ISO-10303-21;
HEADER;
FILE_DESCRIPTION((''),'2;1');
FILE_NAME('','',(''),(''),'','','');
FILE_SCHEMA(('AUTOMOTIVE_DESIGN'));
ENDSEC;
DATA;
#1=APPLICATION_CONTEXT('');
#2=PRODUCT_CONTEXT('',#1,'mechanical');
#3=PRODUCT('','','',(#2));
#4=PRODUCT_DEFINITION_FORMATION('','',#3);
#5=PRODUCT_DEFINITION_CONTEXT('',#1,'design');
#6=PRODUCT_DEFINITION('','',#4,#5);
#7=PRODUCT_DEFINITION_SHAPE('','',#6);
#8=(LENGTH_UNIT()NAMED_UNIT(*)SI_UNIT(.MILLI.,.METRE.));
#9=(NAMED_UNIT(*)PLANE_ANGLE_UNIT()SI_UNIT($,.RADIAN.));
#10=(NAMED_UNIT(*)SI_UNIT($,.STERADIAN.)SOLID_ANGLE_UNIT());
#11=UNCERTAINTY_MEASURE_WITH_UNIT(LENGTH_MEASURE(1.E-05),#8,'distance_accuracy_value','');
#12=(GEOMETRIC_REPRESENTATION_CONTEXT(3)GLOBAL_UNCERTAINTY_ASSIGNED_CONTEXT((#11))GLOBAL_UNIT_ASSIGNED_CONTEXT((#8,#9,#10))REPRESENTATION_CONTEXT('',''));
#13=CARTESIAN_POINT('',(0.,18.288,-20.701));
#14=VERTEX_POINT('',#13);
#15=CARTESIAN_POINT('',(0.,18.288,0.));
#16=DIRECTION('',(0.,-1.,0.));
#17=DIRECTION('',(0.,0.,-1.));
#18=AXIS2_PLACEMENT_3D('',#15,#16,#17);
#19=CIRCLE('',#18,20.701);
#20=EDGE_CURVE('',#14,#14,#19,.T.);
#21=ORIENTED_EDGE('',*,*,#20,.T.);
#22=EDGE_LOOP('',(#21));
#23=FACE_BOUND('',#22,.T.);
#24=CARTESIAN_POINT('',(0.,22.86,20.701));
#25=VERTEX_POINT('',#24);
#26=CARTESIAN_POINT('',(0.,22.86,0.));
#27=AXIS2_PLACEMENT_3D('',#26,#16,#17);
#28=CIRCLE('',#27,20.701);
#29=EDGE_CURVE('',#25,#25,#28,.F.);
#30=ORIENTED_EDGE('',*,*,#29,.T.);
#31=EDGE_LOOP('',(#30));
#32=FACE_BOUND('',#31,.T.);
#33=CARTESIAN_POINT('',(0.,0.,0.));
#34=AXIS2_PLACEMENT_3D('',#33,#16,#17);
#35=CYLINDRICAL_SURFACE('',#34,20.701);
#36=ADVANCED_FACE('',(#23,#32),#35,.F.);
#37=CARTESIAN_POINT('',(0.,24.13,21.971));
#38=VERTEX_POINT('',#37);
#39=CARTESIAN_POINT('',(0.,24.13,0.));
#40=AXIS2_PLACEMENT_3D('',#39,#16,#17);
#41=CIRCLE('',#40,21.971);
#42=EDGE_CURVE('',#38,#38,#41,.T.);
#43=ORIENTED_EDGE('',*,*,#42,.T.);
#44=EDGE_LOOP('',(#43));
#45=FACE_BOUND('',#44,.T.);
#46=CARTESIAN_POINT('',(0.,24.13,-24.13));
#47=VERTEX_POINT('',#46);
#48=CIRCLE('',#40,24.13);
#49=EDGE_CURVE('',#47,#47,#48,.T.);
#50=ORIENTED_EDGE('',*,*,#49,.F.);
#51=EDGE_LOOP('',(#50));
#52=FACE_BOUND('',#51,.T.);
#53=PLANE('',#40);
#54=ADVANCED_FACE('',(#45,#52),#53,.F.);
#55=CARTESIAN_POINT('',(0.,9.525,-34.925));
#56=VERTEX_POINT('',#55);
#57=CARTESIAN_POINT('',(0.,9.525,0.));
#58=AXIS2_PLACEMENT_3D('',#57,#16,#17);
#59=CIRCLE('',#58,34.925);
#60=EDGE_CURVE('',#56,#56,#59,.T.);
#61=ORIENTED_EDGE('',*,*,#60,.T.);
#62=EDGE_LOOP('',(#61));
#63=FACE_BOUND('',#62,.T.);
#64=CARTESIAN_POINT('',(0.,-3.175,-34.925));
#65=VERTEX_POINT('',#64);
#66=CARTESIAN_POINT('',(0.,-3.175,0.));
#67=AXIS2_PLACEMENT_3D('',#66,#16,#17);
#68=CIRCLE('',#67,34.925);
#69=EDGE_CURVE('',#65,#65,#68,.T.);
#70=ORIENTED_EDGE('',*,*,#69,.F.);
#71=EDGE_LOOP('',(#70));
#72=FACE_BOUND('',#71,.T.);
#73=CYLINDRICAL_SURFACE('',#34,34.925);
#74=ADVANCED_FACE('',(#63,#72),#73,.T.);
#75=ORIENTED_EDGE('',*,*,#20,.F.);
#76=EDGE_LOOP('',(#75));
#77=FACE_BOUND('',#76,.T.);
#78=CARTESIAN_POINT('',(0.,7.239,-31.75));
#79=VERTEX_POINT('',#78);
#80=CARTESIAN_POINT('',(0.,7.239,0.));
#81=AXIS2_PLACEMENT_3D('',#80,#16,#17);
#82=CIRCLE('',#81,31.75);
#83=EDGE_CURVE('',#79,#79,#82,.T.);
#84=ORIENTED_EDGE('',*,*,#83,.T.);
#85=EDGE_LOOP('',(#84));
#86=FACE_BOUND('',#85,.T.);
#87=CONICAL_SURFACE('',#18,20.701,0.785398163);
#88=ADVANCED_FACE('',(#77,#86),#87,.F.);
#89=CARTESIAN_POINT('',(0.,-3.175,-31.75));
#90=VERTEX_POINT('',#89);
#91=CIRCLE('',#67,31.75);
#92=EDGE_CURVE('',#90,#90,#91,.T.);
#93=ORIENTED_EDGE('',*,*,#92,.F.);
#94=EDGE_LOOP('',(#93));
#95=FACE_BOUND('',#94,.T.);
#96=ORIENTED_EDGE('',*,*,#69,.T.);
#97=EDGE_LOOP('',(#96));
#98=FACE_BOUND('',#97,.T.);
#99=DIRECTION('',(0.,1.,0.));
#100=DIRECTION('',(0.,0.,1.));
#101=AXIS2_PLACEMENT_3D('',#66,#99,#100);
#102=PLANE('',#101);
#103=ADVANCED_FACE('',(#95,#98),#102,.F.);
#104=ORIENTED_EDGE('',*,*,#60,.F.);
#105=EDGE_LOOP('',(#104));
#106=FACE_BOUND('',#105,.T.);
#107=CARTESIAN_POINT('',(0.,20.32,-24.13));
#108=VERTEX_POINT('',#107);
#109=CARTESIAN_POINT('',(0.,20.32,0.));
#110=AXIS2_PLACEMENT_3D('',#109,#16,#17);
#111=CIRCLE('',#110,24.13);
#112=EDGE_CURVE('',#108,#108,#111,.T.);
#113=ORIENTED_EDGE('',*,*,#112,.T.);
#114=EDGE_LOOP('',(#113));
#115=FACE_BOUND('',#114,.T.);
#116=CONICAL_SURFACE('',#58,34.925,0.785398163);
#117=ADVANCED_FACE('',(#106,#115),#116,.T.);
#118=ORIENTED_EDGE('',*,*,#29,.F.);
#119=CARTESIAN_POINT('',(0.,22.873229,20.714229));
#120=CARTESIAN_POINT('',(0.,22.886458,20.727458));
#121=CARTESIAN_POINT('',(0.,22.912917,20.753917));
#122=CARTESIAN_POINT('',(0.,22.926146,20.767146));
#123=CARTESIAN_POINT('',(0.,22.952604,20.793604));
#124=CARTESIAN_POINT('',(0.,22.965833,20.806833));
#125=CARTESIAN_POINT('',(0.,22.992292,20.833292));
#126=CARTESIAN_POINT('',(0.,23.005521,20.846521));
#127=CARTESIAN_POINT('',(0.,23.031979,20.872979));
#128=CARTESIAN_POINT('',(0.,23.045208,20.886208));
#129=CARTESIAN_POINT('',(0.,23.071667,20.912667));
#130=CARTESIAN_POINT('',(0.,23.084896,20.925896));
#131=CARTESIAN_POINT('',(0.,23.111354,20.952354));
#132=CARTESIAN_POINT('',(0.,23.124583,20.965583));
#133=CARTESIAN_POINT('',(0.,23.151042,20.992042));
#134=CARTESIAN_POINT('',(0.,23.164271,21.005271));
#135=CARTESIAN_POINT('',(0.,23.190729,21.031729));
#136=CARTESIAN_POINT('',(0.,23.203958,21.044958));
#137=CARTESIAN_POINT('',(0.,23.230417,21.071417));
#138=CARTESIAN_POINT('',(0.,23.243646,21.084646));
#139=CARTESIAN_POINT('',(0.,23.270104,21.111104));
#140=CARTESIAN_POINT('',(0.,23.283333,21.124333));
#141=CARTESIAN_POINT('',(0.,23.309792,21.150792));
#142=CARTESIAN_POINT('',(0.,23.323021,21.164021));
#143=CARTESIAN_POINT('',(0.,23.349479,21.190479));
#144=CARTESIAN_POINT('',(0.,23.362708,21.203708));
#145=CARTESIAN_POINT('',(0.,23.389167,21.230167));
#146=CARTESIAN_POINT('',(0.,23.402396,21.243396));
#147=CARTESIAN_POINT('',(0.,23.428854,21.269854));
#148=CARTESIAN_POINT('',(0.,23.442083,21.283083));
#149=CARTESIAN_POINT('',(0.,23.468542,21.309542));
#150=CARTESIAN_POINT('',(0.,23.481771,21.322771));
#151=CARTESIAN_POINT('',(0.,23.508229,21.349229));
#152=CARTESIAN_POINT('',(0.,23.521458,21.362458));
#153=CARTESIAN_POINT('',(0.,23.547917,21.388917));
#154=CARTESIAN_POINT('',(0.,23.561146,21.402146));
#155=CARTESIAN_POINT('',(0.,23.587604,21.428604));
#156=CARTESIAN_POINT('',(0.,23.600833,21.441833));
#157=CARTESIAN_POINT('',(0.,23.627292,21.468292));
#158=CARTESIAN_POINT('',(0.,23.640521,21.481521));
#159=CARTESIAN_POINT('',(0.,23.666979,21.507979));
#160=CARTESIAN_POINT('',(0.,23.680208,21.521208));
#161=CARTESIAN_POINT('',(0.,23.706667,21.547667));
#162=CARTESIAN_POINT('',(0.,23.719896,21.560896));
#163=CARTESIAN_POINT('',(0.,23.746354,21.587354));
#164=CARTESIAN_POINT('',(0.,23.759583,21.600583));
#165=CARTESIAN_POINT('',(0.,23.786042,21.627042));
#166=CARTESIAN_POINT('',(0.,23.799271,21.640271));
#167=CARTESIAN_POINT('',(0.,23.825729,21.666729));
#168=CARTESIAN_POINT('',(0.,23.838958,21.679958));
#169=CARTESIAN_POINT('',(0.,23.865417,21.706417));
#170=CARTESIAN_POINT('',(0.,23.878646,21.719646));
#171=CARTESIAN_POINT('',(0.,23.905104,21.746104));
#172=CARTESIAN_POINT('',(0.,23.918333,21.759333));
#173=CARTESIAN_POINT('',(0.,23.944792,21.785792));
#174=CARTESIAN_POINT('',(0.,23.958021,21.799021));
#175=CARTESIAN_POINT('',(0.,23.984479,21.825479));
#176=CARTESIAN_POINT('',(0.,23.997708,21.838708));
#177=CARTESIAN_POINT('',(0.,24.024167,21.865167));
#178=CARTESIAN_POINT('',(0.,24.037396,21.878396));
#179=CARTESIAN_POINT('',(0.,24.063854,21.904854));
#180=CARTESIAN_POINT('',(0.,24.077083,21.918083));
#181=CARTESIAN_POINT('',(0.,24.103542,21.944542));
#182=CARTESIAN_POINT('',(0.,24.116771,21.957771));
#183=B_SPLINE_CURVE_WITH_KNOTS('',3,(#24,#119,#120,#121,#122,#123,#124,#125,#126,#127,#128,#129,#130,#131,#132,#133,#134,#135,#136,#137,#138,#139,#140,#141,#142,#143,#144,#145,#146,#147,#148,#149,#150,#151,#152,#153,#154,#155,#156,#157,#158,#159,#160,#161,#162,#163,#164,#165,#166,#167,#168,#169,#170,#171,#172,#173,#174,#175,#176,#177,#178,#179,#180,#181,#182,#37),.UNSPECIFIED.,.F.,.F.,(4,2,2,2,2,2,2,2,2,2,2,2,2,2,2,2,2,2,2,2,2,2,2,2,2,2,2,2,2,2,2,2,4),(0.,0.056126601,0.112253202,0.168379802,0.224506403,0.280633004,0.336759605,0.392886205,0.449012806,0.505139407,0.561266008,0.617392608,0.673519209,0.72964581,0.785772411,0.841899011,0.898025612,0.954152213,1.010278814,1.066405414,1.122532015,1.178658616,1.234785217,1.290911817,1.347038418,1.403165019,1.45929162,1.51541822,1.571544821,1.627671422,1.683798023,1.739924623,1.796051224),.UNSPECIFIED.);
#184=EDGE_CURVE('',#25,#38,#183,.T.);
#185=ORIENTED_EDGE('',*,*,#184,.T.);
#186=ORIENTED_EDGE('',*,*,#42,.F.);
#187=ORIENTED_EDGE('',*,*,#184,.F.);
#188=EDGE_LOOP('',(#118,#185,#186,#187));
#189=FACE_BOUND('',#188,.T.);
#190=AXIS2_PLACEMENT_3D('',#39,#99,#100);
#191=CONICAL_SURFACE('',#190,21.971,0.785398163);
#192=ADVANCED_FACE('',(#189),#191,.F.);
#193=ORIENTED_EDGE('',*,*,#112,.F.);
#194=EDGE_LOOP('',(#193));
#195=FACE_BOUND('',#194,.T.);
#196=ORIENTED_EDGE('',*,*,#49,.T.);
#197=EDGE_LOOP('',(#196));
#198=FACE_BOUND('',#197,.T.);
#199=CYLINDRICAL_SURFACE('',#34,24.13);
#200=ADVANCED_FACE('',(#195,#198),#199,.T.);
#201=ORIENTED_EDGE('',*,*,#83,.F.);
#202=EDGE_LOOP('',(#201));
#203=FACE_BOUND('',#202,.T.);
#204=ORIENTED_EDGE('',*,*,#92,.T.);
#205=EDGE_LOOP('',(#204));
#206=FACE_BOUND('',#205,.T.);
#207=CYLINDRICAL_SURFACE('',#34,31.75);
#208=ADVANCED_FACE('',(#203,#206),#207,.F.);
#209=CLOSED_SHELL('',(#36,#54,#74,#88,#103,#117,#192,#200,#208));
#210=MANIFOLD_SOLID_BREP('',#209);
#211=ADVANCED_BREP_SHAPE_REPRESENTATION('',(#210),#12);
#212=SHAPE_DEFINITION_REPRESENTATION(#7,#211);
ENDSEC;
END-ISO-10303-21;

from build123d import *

# Parameters (mm, degrees)
CHAMFER1_SIZE = 1.27


with BuildPart() as part:
    # Sketch2 → Revolve1 (revolve)
    with BuildSketch(Plane.XY, mode=Mode.PRIVATE) as revolve1_sk:
        Polygon((34.925, 0), (34.925, 9.525), (24.13, 20.32), (24.13, 24.13), (20.701, 24.13), (20.701, 18.288), (31.75, 7.239), (31.75, 0), (31.75, -3.175), (34.925, -3.175), align=None)
    revolve(revolve1_sk.sketch.rotate(Axis((0, 0, 0), (0, 1, 0)), 90), axis=Axis((0, 0, 0), (0, 1, 0)))

    # Chamfer1
    chamfer1_edges = [part.edges().sort_by_distance(p)[0] for p in [
        (0, 24.13, 20.701),
    ]]
    chamfer(chamfer1_edges, length=CHAMFER1_SIZE)


solid = part.part
